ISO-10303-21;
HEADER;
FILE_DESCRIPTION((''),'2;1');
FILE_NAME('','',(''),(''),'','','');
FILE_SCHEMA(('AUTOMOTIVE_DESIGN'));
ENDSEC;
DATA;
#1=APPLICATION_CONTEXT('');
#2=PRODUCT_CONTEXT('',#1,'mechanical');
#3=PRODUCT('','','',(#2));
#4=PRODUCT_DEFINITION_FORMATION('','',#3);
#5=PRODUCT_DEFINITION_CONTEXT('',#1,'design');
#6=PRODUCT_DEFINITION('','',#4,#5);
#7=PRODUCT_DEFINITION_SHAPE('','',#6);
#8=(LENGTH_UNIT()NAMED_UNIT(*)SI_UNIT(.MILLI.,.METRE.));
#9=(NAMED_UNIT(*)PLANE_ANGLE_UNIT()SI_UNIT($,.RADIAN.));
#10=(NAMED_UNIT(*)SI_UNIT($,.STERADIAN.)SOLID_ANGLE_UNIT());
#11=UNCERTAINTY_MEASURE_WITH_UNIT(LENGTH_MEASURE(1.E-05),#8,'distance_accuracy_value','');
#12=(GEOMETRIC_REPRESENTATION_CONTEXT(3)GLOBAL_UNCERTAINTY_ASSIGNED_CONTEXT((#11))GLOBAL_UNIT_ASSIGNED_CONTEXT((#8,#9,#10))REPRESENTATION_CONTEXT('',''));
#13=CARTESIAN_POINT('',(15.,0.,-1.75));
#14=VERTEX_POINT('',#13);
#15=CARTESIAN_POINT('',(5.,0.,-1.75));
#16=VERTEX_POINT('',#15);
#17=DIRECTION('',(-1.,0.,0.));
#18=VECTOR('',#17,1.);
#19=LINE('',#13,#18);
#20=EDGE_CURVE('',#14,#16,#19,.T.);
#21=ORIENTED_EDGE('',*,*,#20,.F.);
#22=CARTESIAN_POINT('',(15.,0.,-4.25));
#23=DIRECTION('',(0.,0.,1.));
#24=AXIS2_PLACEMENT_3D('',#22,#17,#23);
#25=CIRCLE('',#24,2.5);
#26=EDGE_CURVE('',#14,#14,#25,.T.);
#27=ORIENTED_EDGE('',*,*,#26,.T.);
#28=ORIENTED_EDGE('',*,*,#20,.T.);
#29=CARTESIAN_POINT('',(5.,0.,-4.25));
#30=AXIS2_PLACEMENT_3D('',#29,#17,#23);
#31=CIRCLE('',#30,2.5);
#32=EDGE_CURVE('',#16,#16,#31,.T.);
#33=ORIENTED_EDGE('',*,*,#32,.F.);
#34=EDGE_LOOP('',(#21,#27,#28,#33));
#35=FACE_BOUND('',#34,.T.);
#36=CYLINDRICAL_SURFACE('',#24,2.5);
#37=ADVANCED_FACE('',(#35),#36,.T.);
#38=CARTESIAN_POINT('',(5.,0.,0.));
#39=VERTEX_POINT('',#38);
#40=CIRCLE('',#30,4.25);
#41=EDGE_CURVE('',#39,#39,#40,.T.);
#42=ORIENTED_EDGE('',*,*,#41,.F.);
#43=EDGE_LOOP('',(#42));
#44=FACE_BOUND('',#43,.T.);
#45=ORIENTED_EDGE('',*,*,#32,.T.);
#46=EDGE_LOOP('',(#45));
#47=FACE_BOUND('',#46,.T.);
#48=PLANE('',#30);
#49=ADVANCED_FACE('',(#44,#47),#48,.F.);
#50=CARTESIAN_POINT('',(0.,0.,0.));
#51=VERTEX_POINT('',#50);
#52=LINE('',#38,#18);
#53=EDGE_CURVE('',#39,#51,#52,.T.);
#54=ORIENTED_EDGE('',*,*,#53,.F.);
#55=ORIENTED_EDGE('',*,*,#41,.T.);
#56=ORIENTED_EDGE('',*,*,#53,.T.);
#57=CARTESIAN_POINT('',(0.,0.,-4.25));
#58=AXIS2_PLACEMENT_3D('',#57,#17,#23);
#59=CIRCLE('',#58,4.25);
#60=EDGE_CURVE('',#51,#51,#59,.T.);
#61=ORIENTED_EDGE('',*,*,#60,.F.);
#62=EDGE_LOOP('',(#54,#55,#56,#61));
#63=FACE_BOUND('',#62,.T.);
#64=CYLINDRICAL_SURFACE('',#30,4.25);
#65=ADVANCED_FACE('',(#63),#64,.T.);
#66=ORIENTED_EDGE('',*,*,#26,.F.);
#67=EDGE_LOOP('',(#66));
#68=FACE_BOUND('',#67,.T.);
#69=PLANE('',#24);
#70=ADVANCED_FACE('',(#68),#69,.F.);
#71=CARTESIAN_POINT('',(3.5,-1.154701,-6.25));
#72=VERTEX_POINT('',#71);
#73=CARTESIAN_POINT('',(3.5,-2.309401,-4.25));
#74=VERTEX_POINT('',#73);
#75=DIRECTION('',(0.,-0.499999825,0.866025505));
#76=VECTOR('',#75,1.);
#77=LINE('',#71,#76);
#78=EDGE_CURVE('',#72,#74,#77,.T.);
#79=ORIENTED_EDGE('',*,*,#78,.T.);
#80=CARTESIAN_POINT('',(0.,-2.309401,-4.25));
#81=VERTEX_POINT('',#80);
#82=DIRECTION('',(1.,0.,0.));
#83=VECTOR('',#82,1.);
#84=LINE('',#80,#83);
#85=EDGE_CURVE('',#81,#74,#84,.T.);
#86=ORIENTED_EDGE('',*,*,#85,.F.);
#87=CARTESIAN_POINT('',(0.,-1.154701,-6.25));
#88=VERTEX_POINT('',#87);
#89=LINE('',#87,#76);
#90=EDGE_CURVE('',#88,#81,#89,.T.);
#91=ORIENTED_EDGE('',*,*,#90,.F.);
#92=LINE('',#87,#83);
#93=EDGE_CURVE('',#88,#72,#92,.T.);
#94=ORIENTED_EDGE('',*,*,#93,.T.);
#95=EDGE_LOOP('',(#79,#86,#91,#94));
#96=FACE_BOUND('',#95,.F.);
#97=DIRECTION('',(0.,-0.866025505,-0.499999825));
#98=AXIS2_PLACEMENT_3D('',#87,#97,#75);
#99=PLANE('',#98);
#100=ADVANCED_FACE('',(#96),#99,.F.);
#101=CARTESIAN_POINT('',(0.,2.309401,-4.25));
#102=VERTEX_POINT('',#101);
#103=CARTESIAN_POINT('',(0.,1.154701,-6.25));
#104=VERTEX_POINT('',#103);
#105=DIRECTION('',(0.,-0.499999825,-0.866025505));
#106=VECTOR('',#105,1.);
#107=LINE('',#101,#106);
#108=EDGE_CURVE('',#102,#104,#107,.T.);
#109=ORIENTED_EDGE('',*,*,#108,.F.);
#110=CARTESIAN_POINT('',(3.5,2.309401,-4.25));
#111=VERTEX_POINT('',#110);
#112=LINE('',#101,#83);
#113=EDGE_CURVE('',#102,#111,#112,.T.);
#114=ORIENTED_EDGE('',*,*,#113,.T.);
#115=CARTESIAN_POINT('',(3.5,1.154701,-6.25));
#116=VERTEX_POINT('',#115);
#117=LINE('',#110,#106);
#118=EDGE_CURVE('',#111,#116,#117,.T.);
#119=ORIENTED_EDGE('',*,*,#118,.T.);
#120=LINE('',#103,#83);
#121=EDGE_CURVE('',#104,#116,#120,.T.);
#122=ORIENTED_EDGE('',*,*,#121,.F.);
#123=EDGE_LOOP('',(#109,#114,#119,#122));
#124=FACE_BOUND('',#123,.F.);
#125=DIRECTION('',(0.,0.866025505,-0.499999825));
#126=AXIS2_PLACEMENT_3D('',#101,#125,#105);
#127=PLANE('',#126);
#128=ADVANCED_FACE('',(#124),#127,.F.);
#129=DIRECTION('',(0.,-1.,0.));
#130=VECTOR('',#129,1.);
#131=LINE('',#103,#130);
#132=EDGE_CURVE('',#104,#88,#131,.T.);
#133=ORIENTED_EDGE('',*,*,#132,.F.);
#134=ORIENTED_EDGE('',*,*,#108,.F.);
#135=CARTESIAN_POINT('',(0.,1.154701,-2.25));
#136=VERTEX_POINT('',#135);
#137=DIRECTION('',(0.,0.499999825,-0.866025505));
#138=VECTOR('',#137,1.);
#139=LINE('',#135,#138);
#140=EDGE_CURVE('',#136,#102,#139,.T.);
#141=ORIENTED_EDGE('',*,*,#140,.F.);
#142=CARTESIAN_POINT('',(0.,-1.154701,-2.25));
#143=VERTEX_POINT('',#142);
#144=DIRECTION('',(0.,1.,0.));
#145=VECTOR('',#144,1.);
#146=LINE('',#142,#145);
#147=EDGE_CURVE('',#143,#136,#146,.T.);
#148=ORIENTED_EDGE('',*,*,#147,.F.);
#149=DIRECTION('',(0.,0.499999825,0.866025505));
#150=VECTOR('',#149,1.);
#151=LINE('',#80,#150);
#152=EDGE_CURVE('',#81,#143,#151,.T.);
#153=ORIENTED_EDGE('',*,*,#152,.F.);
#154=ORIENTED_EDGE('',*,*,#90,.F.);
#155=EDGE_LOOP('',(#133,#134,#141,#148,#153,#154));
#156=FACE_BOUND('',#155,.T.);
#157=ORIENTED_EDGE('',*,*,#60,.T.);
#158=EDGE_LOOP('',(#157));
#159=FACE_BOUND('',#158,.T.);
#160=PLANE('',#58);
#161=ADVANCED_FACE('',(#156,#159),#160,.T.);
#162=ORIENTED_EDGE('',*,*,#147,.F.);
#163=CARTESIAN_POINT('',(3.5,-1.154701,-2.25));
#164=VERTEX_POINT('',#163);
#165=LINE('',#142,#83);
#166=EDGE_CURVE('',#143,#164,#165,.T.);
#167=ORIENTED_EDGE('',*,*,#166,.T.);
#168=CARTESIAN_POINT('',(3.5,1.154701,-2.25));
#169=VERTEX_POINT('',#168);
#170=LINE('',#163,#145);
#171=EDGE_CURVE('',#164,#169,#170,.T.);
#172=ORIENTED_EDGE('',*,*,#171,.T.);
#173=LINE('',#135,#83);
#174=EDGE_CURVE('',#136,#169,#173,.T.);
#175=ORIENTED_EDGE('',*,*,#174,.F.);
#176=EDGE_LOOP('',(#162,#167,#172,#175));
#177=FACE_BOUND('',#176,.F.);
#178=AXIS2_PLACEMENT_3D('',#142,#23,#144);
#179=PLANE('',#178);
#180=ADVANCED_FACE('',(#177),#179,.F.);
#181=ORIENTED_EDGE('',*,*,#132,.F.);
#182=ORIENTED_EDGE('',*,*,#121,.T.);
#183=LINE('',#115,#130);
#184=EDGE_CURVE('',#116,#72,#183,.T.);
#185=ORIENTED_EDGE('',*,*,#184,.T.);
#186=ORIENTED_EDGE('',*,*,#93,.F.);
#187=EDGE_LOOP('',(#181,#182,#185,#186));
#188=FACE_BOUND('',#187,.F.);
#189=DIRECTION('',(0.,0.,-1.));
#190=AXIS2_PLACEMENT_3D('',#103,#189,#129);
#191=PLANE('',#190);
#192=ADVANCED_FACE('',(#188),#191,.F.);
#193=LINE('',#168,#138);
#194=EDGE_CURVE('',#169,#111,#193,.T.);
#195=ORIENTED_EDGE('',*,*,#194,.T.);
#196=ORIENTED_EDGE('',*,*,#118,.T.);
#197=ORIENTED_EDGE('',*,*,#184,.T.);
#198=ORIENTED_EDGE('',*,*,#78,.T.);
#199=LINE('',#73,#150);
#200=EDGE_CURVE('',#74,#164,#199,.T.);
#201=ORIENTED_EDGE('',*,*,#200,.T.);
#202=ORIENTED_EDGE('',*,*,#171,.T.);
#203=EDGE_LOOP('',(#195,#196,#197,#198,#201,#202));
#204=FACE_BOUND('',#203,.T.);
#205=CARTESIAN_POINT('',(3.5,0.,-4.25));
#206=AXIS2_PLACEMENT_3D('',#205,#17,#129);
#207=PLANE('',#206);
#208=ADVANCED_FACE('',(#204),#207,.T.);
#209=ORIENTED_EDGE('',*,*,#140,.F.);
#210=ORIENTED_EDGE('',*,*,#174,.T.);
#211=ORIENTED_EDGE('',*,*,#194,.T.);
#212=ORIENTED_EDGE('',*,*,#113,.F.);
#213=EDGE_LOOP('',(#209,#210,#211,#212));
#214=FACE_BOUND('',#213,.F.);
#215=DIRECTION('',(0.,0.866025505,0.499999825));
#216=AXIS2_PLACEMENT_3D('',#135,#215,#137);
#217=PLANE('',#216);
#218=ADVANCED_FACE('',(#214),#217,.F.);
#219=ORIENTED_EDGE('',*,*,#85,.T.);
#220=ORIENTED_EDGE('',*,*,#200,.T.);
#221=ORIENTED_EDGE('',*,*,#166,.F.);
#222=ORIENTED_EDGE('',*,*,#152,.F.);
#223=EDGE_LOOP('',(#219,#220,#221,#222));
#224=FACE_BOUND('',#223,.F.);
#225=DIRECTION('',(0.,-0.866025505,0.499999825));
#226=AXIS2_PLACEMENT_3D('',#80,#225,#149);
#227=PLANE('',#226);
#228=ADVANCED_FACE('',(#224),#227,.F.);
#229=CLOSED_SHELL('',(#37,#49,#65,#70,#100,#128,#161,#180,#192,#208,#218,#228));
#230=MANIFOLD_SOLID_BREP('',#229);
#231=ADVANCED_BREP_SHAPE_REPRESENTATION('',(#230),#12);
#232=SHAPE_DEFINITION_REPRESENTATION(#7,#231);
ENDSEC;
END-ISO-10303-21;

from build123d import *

# Parameters (mm, degrees)
F3_DEPTH = 3.5


with BuildPart() as f1:
    # F0 (on Front) → F1 (revolve)
    with BuildSketch(Plane.XZ):
        Polygon((5, 0), (0, 0), (0, -4.25), (15, -4.25), (15, -1.75), (5, -1.75), align=None)
    revolve(axis=Axis((7.5, 0, -4.25), (-1, 0, 0)))

    # F2 (on face) → F3 (cut)
    with BuildSketch(Plane(origin=(0, 0, 0), x_dir=(0, -1, 0), z_dir=(-1, 0, 0))):
        Polygon((1.154701, -2.25), (-1.154701, -2.25), (-2.309401, -4.25), (-1.154701, -6.25), (1.154701, -6.25), (2.309401, -4.25), align=None)
    extrude(amount=-F3_DEPTH, mode=Mode.SUBTRACT)


solid = f1.part
